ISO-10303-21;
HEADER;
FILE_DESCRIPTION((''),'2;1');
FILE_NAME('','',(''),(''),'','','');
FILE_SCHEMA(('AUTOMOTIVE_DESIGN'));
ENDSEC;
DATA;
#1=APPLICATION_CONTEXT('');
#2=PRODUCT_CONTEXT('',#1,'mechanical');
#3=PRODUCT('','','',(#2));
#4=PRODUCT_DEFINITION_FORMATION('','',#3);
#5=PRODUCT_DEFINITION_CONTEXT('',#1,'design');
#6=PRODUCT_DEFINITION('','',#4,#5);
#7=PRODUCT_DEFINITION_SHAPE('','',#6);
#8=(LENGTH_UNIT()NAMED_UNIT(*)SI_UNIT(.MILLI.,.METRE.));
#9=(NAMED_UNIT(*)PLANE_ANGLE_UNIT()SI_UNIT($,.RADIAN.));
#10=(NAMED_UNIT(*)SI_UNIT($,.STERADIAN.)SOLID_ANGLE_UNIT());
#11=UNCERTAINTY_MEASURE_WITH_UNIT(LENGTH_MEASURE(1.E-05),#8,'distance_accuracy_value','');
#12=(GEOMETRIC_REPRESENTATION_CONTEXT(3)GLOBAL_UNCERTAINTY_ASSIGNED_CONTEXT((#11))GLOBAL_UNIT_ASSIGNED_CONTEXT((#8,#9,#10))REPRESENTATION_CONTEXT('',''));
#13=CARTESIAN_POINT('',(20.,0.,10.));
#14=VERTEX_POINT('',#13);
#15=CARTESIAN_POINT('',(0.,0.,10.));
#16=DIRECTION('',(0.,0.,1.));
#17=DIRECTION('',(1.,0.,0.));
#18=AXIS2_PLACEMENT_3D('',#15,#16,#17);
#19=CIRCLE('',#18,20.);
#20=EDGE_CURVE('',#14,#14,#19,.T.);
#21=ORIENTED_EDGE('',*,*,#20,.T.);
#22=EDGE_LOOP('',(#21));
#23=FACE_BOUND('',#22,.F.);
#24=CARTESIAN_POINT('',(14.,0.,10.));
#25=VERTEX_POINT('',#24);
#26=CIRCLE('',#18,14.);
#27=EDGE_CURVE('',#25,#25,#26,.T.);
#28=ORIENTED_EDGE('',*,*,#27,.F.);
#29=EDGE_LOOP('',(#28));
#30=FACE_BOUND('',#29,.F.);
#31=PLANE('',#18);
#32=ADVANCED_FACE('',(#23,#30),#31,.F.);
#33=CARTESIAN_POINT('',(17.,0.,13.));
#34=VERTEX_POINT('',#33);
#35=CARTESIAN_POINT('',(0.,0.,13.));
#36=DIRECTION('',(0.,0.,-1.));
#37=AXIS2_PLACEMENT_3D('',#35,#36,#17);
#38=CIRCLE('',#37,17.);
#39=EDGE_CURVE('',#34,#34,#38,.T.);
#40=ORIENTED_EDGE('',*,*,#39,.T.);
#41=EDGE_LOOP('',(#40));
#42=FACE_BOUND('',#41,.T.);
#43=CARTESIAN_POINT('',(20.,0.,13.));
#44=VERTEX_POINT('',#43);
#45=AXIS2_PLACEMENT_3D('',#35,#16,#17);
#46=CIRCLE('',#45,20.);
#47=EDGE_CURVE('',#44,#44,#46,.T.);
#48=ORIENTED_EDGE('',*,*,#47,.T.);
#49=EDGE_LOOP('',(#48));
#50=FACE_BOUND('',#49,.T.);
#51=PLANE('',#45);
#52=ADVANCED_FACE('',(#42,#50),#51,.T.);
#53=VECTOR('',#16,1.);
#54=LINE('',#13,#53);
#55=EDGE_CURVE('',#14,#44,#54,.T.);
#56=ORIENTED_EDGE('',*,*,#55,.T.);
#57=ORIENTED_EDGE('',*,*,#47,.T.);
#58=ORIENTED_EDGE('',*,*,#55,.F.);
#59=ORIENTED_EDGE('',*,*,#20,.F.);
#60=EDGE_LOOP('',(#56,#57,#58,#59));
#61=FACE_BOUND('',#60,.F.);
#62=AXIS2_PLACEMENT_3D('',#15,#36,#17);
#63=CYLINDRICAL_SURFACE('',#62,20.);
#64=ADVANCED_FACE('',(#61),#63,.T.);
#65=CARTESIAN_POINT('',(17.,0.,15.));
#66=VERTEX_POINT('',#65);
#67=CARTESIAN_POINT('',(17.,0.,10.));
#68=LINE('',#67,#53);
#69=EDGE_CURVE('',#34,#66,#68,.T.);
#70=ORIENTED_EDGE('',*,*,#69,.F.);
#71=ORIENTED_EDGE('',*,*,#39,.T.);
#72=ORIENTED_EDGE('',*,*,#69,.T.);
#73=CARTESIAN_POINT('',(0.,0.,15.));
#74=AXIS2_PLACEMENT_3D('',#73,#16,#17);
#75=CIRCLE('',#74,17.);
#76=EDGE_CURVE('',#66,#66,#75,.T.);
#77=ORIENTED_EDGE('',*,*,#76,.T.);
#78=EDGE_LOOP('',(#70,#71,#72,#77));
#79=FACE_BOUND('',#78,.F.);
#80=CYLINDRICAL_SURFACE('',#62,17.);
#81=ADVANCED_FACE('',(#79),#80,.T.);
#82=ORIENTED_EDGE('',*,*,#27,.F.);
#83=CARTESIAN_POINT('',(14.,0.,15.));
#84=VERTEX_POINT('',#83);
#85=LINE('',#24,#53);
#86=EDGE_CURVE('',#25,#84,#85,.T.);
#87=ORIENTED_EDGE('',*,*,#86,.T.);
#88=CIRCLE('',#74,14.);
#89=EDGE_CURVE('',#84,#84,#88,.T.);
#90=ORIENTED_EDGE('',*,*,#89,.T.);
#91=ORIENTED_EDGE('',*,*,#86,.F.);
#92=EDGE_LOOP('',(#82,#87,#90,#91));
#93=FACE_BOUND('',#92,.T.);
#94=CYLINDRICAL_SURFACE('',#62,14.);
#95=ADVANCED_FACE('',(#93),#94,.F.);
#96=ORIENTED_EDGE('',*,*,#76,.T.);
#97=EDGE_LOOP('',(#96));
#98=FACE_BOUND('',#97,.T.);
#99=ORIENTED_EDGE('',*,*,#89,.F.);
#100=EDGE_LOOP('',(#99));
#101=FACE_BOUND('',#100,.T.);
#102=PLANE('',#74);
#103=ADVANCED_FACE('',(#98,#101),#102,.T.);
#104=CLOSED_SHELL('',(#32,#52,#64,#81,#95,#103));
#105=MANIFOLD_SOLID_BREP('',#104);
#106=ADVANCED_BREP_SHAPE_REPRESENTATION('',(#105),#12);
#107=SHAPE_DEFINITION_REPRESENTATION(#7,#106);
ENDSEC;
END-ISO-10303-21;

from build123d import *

# Parameters (mm, degrees)
CYLINDER020_R     = 14
CYLINDER020_DEPTH = 5
CYLINDER018_R     = 20
CYLINDER018_DEPTH = 3
CYLINDER019_R     = 17
CYLINDER019_DEPTH = 5


with BuildPart() as cylinder004:
    # Cylinder020 → Cylinder020 (new body)
    with BuildSketch(Plane.XY):
        Circle(CYLINDER020_R)
    extrude(amount=CYLINDER020_DEPTH)


with BuildPart() as cylinder002:
    # Cylinder018 → Cylinder018 (new body)
    with BuildSketch(Plane.XY):
        Circle(CYLINDER018_R)
    extrude(amount=CYLINDER018_DEPTH)


with BuildPart() as cut031:
    # Cylinder019 → Cylinder019 (new body)
    with BuildSketch(Plane.XY):
        Circle(CYLINDER019_R)
    extrude(amount=CYLINDER019_DEPTH)

    # Fusion024: union Cylinder002
    add(cylinder002.part)

    # Cut031: cut Cylinder004
    add(cylinder004.part, mode=Mode.SUBTRACT)


with BuildPart() as cut031_1:
    # Cut031 placement: moved
    add(cut031.part.moved(Location((0, 0, 10))))


solid = cut031_1.part
